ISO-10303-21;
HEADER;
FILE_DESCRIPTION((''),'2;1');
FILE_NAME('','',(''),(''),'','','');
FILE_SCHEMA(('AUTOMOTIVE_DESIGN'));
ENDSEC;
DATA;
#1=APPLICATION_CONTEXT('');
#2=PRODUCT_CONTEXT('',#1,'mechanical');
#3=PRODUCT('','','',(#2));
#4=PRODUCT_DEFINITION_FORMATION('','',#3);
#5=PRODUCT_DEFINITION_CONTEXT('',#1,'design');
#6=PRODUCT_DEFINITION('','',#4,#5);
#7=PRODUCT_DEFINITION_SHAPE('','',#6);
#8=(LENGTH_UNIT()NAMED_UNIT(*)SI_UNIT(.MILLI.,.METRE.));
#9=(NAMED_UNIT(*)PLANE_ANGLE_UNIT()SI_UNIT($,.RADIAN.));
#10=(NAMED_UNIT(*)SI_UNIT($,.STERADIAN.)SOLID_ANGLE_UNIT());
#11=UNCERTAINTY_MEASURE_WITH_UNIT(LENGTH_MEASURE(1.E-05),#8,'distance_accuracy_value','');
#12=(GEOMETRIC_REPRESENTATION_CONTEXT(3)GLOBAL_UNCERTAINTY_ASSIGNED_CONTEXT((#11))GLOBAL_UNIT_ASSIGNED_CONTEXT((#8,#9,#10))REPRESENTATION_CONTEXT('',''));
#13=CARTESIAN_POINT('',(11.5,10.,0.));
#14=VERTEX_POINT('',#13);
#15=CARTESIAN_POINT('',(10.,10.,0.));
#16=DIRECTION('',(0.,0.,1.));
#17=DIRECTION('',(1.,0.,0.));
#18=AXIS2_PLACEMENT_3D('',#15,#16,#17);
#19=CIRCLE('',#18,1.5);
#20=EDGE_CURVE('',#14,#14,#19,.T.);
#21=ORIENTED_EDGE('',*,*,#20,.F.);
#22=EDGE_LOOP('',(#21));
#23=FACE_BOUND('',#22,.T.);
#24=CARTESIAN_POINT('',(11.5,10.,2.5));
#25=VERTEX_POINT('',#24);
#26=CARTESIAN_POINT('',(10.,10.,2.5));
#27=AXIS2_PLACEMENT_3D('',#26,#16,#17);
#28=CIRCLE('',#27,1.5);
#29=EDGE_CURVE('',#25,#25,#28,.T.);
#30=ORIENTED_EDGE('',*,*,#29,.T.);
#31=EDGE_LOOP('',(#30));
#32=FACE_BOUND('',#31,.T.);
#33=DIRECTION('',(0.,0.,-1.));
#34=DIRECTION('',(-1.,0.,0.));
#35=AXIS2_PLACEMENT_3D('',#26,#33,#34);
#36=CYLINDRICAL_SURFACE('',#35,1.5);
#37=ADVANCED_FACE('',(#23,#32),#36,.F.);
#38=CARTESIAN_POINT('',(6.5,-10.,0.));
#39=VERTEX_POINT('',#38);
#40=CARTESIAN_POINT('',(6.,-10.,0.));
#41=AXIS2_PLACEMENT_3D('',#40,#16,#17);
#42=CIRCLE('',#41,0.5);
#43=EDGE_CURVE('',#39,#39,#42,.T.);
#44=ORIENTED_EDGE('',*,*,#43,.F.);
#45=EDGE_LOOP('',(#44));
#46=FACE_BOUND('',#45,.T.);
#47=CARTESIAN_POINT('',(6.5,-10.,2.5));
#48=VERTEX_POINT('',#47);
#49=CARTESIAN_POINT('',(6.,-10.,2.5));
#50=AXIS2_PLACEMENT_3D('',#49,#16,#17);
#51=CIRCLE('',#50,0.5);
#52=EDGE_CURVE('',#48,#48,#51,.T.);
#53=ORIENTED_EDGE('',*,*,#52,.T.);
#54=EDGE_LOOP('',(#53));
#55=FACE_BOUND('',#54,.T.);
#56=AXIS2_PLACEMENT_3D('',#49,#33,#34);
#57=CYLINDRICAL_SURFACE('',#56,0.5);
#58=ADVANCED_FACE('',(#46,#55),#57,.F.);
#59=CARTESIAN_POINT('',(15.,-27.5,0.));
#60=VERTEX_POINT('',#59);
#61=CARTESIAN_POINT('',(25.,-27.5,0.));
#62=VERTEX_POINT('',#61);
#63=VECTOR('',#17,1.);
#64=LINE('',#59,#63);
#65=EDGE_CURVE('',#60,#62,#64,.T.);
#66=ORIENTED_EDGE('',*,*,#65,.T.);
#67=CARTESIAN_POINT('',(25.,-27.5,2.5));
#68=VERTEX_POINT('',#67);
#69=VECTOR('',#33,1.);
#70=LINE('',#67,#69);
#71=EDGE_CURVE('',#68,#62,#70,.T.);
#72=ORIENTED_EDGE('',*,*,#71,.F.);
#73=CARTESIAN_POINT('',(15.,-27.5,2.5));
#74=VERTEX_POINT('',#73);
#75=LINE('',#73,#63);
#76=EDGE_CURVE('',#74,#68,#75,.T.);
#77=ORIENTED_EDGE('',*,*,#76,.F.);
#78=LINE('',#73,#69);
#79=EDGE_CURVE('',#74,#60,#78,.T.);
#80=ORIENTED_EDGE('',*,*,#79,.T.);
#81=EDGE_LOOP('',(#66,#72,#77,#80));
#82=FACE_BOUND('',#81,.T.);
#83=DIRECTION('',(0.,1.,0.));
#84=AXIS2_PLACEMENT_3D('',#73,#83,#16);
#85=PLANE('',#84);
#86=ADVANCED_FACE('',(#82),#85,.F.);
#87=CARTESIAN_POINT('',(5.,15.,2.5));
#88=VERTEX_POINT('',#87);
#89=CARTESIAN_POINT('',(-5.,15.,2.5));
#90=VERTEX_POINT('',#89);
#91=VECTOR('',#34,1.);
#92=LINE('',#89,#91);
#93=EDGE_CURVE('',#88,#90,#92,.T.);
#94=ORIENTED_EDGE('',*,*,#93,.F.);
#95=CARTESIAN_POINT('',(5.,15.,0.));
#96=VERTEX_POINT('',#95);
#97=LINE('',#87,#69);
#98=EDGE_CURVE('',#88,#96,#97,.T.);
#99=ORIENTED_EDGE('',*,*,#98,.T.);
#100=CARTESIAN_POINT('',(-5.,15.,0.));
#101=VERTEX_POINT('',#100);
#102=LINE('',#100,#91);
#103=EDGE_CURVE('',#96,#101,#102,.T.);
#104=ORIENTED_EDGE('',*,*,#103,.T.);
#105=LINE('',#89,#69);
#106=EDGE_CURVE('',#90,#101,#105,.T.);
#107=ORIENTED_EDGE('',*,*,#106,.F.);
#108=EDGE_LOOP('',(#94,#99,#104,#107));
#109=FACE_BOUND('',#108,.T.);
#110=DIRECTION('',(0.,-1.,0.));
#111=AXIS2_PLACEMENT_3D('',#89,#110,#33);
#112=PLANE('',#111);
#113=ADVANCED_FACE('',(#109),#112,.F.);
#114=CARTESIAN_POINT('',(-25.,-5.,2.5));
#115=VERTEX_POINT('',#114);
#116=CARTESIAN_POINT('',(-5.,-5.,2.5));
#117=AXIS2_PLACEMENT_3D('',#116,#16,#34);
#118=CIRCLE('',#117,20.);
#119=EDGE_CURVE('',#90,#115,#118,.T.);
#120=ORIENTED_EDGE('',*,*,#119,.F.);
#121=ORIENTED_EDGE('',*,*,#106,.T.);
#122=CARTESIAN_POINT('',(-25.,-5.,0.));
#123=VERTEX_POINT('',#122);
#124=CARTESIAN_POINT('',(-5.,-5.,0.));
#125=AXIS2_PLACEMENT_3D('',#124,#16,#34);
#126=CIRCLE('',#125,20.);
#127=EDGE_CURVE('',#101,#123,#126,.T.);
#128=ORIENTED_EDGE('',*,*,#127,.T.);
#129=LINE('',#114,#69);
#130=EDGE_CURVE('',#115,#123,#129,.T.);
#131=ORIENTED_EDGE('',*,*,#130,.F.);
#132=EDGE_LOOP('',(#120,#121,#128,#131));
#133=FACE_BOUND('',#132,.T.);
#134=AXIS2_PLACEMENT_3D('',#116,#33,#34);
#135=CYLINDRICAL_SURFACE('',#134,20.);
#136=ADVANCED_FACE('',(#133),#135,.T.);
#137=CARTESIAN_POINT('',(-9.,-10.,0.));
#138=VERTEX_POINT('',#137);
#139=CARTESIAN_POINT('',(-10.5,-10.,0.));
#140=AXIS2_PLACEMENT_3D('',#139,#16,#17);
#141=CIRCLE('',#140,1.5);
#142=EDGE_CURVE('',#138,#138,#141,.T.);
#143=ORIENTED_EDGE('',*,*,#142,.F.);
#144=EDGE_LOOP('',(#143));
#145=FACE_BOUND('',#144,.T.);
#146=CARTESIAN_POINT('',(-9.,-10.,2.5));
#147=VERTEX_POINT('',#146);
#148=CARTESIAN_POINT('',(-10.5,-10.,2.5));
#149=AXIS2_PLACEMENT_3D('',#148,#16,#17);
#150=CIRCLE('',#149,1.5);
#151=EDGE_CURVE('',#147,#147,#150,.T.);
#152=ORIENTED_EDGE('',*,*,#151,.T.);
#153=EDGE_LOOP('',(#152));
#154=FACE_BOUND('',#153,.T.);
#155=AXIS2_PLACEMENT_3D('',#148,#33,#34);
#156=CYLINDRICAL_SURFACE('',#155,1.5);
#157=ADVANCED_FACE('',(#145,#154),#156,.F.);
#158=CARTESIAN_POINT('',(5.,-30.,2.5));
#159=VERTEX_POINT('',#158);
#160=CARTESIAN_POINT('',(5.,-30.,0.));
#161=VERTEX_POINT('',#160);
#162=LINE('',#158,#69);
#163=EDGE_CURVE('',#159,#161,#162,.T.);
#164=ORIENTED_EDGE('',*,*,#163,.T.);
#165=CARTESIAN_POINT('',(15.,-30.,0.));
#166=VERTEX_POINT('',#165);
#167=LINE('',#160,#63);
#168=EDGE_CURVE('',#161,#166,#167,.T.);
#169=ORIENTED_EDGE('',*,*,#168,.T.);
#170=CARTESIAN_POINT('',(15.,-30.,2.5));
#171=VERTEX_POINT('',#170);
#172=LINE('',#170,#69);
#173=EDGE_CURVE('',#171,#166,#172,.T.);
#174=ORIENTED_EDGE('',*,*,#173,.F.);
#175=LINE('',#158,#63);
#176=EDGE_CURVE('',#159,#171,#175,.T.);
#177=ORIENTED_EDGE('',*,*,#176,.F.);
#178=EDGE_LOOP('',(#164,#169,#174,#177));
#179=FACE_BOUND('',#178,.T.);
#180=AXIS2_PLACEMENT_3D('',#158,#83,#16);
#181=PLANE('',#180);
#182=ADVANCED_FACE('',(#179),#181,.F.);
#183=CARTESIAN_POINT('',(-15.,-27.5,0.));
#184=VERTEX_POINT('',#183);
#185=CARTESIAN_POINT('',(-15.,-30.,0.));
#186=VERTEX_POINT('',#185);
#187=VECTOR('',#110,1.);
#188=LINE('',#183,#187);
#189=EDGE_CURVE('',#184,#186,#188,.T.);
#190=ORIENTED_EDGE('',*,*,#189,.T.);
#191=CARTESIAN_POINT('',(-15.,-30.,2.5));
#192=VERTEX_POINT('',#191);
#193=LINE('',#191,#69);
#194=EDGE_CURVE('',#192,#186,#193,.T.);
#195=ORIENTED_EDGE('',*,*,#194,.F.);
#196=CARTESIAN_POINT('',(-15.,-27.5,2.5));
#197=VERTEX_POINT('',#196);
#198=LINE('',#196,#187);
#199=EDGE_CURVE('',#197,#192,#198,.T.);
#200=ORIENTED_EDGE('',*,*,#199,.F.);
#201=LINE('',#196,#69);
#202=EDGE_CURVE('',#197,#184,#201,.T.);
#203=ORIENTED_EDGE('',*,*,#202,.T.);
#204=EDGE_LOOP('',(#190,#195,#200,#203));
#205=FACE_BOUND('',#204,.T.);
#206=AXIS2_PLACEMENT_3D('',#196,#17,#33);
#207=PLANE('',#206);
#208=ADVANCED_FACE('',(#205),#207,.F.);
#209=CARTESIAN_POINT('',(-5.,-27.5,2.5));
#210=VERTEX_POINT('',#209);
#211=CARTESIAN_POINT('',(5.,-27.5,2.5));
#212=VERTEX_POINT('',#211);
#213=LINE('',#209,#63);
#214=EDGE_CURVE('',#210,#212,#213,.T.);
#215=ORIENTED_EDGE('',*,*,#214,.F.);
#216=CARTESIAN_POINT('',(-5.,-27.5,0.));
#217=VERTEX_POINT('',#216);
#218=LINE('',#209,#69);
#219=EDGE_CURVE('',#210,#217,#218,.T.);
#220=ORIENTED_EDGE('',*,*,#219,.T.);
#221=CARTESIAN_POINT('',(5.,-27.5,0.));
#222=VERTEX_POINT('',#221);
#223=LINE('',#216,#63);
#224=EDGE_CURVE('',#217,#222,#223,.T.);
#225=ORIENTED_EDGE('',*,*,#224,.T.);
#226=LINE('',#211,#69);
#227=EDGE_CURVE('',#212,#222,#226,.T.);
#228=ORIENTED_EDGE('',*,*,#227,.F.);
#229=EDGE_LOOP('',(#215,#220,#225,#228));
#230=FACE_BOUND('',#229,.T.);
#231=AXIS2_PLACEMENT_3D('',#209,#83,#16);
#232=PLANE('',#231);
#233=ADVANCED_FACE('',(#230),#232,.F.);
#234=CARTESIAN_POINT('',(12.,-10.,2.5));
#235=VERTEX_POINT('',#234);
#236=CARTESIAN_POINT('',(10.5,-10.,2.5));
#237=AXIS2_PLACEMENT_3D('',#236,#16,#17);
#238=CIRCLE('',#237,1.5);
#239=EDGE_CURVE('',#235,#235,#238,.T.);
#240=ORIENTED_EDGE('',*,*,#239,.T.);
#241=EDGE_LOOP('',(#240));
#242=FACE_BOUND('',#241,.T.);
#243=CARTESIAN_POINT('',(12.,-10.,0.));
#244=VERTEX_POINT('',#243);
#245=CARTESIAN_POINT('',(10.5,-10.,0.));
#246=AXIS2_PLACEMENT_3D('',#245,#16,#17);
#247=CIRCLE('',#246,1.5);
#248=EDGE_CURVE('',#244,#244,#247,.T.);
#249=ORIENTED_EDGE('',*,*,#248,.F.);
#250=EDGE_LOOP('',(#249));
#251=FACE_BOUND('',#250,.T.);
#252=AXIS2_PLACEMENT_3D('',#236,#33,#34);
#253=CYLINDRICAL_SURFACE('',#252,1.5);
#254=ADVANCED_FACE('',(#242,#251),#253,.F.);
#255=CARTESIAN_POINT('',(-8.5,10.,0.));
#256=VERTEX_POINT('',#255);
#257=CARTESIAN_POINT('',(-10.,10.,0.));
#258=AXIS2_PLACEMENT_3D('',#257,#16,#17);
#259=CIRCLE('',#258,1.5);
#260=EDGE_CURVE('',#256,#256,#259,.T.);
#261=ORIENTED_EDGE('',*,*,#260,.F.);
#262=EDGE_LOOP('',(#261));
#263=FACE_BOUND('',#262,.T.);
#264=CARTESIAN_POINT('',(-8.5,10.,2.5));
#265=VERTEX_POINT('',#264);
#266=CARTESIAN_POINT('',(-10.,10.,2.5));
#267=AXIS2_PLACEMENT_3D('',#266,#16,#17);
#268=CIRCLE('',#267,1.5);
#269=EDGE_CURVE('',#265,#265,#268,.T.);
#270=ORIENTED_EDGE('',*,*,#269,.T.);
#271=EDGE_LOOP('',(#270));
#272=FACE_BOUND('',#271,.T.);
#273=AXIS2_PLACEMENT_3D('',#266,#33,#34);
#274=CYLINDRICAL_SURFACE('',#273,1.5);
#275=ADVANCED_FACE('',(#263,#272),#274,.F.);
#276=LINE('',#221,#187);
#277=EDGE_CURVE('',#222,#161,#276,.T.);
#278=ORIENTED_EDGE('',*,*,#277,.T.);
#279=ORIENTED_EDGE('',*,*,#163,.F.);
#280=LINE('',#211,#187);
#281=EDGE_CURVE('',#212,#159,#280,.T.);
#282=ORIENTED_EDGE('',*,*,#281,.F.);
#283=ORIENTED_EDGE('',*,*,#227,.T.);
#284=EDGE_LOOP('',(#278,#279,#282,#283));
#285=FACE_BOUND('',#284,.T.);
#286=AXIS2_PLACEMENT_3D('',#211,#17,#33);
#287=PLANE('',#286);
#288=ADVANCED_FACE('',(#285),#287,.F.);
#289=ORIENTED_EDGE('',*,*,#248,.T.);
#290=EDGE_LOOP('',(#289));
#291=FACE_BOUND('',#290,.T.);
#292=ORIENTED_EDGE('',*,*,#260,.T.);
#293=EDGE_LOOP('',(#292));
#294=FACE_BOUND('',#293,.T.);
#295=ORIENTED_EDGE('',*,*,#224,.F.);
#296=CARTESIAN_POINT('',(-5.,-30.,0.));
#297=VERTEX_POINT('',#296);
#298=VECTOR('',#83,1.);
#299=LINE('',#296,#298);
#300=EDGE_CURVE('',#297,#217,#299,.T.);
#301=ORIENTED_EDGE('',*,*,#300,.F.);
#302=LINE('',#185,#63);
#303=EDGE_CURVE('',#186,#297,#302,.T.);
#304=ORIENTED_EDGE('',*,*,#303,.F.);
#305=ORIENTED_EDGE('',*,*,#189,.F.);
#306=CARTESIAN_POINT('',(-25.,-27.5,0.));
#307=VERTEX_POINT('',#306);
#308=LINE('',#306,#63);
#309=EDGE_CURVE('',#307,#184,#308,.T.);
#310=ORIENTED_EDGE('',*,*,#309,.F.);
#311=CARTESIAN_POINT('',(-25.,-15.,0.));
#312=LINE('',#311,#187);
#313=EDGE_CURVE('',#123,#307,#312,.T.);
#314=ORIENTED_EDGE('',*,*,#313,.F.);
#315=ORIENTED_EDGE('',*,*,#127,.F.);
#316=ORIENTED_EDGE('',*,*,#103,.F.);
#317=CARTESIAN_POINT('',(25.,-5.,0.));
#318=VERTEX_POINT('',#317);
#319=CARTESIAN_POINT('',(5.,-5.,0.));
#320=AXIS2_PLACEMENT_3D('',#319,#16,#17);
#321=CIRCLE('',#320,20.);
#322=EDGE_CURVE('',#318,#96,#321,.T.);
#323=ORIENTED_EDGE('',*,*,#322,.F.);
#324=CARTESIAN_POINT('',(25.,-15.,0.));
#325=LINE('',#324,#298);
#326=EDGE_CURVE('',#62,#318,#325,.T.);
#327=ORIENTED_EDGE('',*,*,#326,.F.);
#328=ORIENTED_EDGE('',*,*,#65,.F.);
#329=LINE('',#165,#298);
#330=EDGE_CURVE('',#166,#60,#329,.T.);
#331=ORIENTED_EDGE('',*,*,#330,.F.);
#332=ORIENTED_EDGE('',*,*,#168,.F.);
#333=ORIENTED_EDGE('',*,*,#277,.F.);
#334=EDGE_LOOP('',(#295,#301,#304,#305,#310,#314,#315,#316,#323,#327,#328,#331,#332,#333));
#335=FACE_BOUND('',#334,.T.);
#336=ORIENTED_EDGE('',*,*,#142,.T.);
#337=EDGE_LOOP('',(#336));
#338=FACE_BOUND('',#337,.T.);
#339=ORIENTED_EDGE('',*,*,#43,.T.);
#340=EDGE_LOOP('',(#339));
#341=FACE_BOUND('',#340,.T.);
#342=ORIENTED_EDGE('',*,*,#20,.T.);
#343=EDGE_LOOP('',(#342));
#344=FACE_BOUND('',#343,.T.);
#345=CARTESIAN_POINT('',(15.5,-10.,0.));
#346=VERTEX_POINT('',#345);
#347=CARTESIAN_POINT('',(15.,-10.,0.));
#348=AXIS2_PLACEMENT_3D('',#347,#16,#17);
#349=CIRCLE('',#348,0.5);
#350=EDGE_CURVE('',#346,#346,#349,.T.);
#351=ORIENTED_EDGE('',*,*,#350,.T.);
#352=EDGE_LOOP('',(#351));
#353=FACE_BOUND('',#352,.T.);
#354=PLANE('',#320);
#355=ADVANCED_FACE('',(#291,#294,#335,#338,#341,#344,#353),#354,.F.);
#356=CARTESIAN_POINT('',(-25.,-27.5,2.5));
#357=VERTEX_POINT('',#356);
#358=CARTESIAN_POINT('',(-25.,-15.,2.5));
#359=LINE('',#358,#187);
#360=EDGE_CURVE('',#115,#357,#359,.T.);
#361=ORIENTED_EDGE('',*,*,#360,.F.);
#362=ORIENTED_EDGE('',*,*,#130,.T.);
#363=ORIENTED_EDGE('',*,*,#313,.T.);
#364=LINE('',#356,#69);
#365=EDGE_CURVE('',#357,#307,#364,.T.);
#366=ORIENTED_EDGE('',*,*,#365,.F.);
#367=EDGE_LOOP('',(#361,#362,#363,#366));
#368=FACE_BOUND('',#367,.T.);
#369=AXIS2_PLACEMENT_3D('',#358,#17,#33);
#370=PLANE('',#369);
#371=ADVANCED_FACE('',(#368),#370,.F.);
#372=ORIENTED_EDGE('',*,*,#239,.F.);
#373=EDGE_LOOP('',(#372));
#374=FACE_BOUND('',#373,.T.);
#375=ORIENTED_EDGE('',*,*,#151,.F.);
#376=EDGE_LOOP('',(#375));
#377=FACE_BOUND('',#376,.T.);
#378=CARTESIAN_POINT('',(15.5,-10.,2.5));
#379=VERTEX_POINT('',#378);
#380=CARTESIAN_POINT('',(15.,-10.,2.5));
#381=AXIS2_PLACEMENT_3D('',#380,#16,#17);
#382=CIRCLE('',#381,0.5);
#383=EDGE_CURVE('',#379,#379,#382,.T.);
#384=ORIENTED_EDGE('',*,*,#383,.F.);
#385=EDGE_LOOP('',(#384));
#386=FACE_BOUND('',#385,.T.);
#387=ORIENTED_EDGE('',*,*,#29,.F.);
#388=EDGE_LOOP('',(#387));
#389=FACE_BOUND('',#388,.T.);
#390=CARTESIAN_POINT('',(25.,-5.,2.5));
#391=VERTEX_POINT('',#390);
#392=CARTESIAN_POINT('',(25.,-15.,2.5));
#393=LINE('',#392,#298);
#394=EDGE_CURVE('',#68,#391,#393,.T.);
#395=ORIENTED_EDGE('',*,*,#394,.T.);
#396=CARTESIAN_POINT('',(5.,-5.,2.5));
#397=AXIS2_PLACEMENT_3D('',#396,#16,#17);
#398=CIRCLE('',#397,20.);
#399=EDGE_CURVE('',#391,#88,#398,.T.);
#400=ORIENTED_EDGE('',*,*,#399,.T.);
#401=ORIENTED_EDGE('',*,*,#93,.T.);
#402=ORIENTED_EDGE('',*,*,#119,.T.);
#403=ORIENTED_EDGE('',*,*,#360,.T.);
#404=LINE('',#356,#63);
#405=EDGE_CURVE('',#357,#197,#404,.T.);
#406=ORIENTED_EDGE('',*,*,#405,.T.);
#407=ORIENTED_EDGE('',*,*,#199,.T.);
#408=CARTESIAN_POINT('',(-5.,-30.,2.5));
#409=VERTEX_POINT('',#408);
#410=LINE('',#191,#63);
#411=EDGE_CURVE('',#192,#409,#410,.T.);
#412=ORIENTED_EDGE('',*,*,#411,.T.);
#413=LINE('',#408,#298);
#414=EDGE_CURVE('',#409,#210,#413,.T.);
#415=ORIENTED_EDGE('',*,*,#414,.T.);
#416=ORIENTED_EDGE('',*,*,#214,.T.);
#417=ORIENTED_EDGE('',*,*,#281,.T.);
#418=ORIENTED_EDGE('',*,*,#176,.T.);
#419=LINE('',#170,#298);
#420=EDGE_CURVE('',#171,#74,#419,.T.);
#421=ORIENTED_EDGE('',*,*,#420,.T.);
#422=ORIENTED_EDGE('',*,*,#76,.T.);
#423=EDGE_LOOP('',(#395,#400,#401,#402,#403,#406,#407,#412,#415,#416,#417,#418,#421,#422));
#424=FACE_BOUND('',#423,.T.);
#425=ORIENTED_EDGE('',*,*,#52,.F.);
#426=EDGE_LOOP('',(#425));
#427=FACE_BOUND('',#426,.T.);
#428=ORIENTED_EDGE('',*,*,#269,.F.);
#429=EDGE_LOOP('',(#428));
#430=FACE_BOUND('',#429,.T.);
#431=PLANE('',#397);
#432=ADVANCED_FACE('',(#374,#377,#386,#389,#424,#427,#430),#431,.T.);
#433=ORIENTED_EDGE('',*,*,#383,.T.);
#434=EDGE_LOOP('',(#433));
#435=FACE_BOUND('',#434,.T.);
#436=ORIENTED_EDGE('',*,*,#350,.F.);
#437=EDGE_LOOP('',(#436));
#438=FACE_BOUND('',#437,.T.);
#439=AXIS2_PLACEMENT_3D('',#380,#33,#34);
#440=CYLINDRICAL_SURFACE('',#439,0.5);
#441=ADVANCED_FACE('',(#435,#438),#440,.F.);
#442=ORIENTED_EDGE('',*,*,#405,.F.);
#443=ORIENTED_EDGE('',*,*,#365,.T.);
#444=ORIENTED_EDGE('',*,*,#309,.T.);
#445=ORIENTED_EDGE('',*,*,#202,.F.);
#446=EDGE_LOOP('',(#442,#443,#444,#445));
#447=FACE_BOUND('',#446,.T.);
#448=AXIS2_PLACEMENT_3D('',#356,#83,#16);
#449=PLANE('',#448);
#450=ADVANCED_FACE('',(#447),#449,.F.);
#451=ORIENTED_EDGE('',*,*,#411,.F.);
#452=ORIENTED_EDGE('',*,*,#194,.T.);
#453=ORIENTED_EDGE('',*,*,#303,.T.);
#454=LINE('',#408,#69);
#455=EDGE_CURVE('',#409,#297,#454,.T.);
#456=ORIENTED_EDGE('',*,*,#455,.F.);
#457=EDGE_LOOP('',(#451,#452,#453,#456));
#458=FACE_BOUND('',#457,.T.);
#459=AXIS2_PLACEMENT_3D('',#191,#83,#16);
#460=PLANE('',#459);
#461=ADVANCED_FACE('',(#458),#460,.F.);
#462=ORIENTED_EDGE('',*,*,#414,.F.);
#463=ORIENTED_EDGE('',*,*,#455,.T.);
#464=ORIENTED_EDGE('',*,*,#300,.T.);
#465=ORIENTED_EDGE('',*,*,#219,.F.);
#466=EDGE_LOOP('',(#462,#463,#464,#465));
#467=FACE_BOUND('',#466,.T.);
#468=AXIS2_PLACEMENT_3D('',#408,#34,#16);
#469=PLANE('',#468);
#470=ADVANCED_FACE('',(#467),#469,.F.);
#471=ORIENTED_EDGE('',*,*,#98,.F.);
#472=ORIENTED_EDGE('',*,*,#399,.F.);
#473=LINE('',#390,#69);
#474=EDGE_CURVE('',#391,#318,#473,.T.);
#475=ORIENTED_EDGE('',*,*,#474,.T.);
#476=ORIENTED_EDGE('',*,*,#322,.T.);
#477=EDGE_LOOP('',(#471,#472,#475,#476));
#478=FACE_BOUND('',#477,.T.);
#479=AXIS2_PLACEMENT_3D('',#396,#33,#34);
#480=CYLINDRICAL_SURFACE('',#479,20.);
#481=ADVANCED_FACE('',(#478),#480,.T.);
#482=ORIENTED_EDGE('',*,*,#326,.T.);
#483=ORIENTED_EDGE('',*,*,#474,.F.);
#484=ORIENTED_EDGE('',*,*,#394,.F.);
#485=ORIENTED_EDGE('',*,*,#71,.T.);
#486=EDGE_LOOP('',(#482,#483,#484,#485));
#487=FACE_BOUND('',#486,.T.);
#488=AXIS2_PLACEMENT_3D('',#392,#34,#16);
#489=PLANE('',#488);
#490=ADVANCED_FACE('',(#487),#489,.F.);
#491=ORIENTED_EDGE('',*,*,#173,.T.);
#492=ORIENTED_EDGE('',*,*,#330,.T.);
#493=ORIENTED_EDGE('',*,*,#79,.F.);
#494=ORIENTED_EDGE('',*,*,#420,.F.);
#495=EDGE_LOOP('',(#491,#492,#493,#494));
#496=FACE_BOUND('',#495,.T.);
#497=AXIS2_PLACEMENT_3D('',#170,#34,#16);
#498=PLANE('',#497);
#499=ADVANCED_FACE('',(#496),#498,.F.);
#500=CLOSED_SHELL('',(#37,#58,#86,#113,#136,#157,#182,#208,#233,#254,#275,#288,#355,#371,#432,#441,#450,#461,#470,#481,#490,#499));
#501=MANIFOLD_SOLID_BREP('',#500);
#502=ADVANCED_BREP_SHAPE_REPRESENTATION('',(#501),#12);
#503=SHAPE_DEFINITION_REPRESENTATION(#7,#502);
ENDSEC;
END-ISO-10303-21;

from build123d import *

# Parameters (mm, degrees)
CROQUIS1_R              = 1.5
CROQUIS1_R_2            = 0.5
SALIENTE_EXTRUIR1_DEPTH = 2.5


with BuildPart() as part:
    # Croquis1 → Saliente-Extruir1 (new body)
    with BuildSketch(Plane.XY):
        with BuildLine():
            Line((-25, -15), (-25, -5))
            ThreePointArc((-25, -5), (-19.142135624, 9.142135624), (-5, 15))
            Line((-5, 15), (5, 15))
            ThreePointArc((5, 15), (19.142135624, 9.142135624), (25, -5))
            Line((25, -5), (25, -15))
            Line((25, -15), (25, -27.5))
            Line((25, -27.5), (15, -27.5))
            Line((15, -27.5), (15, -30))
            Line((15, -30), (5, -30))
            Line((5, -30), (5, -27.5))
            Line((5, -27.5), (-5, -27.5))
            Line((-5, -27.5), (-5, -30))
            Line((-5, -30), (-15, -30))
            Line((-15, -30), (-15, -27.5))
            Line((-15, -27.5), (-25, -27.5))
            Line((-25, -27.5), (-25, -15))
        make_face()
        with Locations((-10, 10)):
            Circle(CROQUIS1_R, mode=Mode.SUBTRACT)
        with Locations((10, 10)):
            Circle(CROQUIS1_R, mode=Mode.SUBTRACT)
        with Locations((-10.5, -10)):
            Circle(CROQUIS1_R, mode=Mode.SUBTRACT)
        with Locations((10.5, -10)):
            Circle(CROQUIS1_R, mode=Mode.SUBTRACT)
        with Locations((15, -10)):
            Circle(CROQUIS1_R_2, mode=Mode.SUBTRACT)
        with Locations((6, -10)):
            Circle(CROQUIS1_R_2, mode=Mode.SUBTRACT)
    extrude(amount=SALIENTE_EXTRUIR1_DEPTH)


solid = part.part
